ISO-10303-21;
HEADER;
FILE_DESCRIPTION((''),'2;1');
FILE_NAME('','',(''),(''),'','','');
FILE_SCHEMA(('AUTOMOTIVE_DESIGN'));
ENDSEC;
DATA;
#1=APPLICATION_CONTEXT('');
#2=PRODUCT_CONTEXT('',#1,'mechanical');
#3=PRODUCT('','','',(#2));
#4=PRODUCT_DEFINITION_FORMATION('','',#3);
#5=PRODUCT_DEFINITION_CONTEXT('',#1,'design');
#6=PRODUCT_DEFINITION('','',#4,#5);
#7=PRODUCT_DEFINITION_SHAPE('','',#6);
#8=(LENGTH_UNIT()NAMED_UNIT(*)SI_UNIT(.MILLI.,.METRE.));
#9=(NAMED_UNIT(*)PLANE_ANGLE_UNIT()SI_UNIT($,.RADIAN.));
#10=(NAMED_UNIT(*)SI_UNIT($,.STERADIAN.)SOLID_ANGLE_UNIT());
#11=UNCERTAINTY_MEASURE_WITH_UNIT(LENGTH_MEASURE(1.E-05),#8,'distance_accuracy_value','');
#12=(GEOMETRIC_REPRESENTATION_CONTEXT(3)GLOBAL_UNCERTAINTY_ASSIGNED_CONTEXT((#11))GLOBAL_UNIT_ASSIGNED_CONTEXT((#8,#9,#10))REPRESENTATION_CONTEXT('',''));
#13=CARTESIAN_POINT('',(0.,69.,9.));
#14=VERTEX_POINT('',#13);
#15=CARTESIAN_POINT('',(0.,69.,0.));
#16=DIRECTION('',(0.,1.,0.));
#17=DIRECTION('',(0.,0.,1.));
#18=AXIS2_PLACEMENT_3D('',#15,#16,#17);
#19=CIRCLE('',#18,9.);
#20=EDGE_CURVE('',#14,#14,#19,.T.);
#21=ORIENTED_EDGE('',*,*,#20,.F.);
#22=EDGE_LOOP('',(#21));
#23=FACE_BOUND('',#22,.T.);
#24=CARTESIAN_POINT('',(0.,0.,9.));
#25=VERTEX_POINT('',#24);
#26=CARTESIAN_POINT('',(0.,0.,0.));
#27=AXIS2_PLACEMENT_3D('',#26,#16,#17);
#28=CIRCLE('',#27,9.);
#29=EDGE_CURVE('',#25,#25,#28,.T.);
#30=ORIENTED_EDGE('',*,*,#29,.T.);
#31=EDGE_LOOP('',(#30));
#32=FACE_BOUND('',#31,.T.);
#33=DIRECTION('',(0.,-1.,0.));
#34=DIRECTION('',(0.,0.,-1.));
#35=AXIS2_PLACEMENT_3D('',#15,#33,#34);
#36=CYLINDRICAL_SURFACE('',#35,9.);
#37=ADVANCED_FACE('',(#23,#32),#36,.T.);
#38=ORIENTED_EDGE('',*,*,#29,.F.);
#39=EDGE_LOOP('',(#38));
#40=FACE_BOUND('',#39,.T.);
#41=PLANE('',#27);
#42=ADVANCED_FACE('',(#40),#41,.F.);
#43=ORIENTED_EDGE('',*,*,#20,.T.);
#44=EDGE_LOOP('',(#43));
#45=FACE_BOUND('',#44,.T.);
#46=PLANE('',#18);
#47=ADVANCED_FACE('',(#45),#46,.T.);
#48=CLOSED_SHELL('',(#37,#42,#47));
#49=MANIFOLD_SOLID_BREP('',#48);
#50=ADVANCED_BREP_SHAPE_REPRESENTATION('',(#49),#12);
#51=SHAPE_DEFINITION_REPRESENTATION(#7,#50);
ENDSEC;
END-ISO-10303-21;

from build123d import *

# Parameters (mm, degrees)
SKETCH1_R           = 9
BOSS_EXTRUDE1_DEPTH = 69


with BuildPart() as part:
    # Sketch1 → Boss-Extrude1 (new body)
    with BuildSketch(Plane(origin=(0, 0, 0), x_dir=(1, 0, 0), z_dir=(0, 1, 0))):
        Circle(SKETCH1_R)
    extrude(amount=BOSS_EXTRUDE1_DEPTH)


solid = part.part
